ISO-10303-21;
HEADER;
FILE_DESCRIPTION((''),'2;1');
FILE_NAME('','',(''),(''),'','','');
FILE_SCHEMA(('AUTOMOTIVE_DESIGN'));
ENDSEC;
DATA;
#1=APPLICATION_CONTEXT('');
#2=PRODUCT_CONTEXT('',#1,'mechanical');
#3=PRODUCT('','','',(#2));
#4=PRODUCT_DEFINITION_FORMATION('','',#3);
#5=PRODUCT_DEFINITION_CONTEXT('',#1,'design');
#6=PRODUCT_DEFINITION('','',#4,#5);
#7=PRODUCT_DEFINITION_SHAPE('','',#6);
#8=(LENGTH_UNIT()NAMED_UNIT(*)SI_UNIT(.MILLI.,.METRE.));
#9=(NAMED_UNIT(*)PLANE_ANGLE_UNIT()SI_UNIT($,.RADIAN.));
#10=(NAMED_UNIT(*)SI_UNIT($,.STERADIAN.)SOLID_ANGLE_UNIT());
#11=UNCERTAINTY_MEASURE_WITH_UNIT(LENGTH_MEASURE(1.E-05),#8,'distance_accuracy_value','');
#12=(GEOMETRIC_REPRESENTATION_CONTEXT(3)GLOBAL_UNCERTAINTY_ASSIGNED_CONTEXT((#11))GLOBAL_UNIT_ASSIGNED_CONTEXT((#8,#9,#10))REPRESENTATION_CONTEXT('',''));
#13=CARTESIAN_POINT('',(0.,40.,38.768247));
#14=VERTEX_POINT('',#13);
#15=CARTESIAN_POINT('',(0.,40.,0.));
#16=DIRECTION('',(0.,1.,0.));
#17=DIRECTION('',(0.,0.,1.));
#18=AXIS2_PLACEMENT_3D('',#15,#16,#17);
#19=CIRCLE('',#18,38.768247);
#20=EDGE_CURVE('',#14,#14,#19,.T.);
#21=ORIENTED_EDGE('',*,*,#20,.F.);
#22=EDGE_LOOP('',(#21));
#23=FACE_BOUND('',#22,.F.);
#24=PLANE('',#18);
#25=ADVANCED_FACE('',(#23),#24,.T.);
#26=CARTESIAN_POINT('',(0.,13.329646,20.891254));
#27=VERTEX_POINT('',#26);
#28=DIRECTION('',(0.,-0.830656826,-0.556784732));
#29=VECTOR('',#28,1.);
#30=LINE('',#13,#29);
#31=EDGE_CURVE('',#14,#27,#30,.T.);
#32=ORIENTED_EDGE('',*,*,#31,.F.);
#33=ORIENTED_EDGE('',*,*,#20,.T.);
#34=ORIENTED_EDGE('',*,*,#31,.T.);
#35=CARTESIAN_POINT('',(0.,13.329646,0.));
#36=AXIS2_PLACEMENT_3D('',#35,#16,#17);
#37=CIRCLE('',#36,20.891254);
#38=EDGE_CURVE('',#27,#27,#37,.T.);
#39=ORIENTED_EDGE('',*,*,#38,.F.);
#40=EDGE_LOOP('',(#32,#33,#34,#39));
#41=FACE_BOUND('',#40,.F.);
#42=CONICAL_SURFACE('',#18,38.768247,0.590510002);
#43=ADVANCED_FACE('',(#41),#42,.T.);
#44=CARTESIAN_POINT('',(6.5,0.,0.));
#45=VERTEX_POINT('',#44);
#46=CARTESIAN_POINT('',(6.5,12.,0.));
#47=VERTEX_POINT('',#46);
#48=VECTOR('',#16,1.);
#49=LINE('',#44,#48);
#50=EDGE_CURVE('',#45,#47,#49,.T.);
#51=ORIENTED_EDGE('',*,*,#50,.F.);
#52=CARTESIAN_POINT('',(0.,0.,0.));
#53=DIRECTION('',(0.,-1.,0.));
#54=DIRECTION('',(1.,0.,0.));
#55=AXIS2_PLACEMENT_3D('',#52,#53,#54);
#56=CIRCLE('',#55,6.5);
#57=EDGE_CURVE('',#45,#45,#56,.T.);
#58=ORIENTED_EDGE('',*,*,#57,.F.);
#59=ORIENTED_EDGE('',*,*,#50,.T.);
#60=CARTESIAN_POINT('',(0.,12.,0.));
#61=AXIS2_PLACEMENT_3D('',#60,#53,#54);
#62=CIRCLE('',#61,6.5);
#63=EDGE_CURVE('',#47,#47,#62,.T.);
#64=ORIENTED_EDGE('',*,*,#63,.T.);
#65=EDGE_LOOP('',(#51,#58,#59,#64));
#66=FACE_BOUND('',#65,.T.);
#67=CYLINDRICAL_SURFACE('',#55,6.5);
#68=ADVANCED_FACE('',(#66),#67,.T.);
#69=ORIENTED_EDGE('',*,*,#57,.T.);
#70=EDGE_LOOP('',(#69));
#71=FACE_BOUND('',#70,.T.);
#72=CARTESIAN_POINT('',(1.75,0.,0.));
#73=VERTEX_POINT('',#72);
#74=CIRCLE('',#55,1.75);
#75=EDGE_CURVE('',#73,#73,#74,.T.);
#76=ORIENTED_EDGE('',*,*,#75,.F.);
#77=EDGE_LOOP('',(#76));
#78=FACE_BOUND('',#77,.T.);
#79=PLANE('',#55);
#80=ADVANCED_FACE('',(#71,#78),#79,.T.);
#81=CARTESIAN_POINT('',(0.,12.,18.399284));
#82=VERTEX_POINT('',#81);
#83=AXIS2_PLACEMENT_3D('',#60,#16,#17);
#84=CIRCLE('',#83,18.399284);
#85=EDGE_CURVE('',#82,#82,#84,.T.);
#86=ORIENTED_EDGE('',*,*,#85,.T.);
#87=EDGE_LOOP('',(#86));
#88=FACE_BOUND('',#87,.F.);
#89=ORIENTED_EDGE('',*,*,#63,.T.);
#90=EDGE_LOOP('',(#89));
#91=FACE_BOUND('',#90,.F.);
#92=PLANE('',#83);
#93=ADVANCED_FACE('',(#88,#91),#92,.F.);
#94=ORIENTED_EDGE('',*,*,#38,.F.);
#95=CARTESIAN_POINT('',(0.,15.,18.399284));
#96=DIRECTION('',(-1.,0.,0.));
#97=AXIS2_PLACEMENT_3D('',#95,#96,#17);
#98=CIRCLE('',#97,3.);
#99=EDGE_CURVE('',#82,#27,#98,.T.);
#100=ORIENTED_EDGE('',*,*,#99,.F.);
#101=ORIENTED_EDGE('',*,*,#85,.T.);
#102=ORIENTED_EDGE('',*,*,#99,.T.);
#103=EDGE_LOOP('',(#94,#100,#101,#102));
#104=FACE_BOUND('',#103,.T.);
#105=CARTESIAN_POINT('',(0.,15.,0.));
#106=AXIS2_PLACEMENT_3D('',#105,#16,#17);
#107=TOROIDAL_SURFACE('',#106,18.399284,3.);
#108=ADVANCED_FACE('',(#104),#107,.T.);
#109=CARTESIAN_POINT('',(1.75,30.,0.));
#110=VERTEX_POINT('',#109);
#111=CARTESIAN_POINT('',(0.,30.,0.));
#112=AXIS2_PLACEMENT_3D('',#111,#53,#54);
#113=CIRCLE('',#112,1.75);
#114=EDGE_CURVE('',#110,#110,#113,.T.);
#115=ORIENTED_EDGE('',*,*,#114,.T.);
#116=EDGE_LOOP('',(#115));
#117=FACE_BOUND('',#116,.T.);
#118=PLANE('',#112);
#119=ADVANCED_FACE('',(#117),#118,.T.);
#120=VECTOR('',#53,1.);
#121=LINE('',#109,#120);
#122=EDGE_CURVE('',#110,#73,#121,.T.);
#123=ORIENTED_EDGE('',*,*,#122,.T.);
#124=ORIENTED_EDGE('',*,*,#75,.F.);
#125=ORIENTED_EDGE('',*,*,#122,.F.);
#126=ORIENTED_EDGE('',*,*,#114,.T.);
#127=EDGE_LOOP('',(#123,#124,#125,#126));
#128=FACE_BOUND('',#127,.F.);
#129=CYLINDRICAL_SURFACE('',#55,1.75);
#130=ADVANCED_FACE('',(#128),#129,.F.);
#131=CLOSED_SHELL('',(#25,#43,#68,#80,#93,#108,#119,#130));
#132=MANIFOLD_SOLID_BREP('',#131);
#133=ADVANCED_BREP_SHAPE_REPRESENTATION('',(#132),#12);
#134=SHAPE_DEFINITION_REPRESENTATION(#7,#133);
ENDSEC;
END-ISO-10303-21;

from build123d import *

# Parameters (mm, degrees)
F0_R     = 6.5
F0_R_2   = 1.75
F3_DEPTH = 20
F4_DEPTH = 30
F5_R     = 3


with BuildPart() as f2:
    # F1 (on Right) → F2 (revolve)
    with BuildSketch(Plane.YZ):
        Polygon((12, 20), (12, 0), (40, 0), (40, 38.768247), align=None)
    revolve(axis=Axis((0, 35.946441, 0), (0, 1, 0)))

    # F0 (on Front) → F3 (join)
    with BuildSketch(Plane.XZ):
        Circle(F0_R)
        Circle(F0_R_2, mode=Mode.SUBTRACT)
    extrude(amount=-F3_DEPTH)

    # F0 (on Front) → F4 (cut)
    with BuildSketch(Plane.XZ):
        Circle(F0_R_2)
    extrude(amount=-F4_DEPTH, mode=Mode.SUBTRACT)

    # F5
    f5_edges = [f2.edges().sort_by_distance(p)[0] for p in [
        (0, 12, -20),
    ]]
    fillet(f5_edges, radius=F5_R)


solid = f2.part
